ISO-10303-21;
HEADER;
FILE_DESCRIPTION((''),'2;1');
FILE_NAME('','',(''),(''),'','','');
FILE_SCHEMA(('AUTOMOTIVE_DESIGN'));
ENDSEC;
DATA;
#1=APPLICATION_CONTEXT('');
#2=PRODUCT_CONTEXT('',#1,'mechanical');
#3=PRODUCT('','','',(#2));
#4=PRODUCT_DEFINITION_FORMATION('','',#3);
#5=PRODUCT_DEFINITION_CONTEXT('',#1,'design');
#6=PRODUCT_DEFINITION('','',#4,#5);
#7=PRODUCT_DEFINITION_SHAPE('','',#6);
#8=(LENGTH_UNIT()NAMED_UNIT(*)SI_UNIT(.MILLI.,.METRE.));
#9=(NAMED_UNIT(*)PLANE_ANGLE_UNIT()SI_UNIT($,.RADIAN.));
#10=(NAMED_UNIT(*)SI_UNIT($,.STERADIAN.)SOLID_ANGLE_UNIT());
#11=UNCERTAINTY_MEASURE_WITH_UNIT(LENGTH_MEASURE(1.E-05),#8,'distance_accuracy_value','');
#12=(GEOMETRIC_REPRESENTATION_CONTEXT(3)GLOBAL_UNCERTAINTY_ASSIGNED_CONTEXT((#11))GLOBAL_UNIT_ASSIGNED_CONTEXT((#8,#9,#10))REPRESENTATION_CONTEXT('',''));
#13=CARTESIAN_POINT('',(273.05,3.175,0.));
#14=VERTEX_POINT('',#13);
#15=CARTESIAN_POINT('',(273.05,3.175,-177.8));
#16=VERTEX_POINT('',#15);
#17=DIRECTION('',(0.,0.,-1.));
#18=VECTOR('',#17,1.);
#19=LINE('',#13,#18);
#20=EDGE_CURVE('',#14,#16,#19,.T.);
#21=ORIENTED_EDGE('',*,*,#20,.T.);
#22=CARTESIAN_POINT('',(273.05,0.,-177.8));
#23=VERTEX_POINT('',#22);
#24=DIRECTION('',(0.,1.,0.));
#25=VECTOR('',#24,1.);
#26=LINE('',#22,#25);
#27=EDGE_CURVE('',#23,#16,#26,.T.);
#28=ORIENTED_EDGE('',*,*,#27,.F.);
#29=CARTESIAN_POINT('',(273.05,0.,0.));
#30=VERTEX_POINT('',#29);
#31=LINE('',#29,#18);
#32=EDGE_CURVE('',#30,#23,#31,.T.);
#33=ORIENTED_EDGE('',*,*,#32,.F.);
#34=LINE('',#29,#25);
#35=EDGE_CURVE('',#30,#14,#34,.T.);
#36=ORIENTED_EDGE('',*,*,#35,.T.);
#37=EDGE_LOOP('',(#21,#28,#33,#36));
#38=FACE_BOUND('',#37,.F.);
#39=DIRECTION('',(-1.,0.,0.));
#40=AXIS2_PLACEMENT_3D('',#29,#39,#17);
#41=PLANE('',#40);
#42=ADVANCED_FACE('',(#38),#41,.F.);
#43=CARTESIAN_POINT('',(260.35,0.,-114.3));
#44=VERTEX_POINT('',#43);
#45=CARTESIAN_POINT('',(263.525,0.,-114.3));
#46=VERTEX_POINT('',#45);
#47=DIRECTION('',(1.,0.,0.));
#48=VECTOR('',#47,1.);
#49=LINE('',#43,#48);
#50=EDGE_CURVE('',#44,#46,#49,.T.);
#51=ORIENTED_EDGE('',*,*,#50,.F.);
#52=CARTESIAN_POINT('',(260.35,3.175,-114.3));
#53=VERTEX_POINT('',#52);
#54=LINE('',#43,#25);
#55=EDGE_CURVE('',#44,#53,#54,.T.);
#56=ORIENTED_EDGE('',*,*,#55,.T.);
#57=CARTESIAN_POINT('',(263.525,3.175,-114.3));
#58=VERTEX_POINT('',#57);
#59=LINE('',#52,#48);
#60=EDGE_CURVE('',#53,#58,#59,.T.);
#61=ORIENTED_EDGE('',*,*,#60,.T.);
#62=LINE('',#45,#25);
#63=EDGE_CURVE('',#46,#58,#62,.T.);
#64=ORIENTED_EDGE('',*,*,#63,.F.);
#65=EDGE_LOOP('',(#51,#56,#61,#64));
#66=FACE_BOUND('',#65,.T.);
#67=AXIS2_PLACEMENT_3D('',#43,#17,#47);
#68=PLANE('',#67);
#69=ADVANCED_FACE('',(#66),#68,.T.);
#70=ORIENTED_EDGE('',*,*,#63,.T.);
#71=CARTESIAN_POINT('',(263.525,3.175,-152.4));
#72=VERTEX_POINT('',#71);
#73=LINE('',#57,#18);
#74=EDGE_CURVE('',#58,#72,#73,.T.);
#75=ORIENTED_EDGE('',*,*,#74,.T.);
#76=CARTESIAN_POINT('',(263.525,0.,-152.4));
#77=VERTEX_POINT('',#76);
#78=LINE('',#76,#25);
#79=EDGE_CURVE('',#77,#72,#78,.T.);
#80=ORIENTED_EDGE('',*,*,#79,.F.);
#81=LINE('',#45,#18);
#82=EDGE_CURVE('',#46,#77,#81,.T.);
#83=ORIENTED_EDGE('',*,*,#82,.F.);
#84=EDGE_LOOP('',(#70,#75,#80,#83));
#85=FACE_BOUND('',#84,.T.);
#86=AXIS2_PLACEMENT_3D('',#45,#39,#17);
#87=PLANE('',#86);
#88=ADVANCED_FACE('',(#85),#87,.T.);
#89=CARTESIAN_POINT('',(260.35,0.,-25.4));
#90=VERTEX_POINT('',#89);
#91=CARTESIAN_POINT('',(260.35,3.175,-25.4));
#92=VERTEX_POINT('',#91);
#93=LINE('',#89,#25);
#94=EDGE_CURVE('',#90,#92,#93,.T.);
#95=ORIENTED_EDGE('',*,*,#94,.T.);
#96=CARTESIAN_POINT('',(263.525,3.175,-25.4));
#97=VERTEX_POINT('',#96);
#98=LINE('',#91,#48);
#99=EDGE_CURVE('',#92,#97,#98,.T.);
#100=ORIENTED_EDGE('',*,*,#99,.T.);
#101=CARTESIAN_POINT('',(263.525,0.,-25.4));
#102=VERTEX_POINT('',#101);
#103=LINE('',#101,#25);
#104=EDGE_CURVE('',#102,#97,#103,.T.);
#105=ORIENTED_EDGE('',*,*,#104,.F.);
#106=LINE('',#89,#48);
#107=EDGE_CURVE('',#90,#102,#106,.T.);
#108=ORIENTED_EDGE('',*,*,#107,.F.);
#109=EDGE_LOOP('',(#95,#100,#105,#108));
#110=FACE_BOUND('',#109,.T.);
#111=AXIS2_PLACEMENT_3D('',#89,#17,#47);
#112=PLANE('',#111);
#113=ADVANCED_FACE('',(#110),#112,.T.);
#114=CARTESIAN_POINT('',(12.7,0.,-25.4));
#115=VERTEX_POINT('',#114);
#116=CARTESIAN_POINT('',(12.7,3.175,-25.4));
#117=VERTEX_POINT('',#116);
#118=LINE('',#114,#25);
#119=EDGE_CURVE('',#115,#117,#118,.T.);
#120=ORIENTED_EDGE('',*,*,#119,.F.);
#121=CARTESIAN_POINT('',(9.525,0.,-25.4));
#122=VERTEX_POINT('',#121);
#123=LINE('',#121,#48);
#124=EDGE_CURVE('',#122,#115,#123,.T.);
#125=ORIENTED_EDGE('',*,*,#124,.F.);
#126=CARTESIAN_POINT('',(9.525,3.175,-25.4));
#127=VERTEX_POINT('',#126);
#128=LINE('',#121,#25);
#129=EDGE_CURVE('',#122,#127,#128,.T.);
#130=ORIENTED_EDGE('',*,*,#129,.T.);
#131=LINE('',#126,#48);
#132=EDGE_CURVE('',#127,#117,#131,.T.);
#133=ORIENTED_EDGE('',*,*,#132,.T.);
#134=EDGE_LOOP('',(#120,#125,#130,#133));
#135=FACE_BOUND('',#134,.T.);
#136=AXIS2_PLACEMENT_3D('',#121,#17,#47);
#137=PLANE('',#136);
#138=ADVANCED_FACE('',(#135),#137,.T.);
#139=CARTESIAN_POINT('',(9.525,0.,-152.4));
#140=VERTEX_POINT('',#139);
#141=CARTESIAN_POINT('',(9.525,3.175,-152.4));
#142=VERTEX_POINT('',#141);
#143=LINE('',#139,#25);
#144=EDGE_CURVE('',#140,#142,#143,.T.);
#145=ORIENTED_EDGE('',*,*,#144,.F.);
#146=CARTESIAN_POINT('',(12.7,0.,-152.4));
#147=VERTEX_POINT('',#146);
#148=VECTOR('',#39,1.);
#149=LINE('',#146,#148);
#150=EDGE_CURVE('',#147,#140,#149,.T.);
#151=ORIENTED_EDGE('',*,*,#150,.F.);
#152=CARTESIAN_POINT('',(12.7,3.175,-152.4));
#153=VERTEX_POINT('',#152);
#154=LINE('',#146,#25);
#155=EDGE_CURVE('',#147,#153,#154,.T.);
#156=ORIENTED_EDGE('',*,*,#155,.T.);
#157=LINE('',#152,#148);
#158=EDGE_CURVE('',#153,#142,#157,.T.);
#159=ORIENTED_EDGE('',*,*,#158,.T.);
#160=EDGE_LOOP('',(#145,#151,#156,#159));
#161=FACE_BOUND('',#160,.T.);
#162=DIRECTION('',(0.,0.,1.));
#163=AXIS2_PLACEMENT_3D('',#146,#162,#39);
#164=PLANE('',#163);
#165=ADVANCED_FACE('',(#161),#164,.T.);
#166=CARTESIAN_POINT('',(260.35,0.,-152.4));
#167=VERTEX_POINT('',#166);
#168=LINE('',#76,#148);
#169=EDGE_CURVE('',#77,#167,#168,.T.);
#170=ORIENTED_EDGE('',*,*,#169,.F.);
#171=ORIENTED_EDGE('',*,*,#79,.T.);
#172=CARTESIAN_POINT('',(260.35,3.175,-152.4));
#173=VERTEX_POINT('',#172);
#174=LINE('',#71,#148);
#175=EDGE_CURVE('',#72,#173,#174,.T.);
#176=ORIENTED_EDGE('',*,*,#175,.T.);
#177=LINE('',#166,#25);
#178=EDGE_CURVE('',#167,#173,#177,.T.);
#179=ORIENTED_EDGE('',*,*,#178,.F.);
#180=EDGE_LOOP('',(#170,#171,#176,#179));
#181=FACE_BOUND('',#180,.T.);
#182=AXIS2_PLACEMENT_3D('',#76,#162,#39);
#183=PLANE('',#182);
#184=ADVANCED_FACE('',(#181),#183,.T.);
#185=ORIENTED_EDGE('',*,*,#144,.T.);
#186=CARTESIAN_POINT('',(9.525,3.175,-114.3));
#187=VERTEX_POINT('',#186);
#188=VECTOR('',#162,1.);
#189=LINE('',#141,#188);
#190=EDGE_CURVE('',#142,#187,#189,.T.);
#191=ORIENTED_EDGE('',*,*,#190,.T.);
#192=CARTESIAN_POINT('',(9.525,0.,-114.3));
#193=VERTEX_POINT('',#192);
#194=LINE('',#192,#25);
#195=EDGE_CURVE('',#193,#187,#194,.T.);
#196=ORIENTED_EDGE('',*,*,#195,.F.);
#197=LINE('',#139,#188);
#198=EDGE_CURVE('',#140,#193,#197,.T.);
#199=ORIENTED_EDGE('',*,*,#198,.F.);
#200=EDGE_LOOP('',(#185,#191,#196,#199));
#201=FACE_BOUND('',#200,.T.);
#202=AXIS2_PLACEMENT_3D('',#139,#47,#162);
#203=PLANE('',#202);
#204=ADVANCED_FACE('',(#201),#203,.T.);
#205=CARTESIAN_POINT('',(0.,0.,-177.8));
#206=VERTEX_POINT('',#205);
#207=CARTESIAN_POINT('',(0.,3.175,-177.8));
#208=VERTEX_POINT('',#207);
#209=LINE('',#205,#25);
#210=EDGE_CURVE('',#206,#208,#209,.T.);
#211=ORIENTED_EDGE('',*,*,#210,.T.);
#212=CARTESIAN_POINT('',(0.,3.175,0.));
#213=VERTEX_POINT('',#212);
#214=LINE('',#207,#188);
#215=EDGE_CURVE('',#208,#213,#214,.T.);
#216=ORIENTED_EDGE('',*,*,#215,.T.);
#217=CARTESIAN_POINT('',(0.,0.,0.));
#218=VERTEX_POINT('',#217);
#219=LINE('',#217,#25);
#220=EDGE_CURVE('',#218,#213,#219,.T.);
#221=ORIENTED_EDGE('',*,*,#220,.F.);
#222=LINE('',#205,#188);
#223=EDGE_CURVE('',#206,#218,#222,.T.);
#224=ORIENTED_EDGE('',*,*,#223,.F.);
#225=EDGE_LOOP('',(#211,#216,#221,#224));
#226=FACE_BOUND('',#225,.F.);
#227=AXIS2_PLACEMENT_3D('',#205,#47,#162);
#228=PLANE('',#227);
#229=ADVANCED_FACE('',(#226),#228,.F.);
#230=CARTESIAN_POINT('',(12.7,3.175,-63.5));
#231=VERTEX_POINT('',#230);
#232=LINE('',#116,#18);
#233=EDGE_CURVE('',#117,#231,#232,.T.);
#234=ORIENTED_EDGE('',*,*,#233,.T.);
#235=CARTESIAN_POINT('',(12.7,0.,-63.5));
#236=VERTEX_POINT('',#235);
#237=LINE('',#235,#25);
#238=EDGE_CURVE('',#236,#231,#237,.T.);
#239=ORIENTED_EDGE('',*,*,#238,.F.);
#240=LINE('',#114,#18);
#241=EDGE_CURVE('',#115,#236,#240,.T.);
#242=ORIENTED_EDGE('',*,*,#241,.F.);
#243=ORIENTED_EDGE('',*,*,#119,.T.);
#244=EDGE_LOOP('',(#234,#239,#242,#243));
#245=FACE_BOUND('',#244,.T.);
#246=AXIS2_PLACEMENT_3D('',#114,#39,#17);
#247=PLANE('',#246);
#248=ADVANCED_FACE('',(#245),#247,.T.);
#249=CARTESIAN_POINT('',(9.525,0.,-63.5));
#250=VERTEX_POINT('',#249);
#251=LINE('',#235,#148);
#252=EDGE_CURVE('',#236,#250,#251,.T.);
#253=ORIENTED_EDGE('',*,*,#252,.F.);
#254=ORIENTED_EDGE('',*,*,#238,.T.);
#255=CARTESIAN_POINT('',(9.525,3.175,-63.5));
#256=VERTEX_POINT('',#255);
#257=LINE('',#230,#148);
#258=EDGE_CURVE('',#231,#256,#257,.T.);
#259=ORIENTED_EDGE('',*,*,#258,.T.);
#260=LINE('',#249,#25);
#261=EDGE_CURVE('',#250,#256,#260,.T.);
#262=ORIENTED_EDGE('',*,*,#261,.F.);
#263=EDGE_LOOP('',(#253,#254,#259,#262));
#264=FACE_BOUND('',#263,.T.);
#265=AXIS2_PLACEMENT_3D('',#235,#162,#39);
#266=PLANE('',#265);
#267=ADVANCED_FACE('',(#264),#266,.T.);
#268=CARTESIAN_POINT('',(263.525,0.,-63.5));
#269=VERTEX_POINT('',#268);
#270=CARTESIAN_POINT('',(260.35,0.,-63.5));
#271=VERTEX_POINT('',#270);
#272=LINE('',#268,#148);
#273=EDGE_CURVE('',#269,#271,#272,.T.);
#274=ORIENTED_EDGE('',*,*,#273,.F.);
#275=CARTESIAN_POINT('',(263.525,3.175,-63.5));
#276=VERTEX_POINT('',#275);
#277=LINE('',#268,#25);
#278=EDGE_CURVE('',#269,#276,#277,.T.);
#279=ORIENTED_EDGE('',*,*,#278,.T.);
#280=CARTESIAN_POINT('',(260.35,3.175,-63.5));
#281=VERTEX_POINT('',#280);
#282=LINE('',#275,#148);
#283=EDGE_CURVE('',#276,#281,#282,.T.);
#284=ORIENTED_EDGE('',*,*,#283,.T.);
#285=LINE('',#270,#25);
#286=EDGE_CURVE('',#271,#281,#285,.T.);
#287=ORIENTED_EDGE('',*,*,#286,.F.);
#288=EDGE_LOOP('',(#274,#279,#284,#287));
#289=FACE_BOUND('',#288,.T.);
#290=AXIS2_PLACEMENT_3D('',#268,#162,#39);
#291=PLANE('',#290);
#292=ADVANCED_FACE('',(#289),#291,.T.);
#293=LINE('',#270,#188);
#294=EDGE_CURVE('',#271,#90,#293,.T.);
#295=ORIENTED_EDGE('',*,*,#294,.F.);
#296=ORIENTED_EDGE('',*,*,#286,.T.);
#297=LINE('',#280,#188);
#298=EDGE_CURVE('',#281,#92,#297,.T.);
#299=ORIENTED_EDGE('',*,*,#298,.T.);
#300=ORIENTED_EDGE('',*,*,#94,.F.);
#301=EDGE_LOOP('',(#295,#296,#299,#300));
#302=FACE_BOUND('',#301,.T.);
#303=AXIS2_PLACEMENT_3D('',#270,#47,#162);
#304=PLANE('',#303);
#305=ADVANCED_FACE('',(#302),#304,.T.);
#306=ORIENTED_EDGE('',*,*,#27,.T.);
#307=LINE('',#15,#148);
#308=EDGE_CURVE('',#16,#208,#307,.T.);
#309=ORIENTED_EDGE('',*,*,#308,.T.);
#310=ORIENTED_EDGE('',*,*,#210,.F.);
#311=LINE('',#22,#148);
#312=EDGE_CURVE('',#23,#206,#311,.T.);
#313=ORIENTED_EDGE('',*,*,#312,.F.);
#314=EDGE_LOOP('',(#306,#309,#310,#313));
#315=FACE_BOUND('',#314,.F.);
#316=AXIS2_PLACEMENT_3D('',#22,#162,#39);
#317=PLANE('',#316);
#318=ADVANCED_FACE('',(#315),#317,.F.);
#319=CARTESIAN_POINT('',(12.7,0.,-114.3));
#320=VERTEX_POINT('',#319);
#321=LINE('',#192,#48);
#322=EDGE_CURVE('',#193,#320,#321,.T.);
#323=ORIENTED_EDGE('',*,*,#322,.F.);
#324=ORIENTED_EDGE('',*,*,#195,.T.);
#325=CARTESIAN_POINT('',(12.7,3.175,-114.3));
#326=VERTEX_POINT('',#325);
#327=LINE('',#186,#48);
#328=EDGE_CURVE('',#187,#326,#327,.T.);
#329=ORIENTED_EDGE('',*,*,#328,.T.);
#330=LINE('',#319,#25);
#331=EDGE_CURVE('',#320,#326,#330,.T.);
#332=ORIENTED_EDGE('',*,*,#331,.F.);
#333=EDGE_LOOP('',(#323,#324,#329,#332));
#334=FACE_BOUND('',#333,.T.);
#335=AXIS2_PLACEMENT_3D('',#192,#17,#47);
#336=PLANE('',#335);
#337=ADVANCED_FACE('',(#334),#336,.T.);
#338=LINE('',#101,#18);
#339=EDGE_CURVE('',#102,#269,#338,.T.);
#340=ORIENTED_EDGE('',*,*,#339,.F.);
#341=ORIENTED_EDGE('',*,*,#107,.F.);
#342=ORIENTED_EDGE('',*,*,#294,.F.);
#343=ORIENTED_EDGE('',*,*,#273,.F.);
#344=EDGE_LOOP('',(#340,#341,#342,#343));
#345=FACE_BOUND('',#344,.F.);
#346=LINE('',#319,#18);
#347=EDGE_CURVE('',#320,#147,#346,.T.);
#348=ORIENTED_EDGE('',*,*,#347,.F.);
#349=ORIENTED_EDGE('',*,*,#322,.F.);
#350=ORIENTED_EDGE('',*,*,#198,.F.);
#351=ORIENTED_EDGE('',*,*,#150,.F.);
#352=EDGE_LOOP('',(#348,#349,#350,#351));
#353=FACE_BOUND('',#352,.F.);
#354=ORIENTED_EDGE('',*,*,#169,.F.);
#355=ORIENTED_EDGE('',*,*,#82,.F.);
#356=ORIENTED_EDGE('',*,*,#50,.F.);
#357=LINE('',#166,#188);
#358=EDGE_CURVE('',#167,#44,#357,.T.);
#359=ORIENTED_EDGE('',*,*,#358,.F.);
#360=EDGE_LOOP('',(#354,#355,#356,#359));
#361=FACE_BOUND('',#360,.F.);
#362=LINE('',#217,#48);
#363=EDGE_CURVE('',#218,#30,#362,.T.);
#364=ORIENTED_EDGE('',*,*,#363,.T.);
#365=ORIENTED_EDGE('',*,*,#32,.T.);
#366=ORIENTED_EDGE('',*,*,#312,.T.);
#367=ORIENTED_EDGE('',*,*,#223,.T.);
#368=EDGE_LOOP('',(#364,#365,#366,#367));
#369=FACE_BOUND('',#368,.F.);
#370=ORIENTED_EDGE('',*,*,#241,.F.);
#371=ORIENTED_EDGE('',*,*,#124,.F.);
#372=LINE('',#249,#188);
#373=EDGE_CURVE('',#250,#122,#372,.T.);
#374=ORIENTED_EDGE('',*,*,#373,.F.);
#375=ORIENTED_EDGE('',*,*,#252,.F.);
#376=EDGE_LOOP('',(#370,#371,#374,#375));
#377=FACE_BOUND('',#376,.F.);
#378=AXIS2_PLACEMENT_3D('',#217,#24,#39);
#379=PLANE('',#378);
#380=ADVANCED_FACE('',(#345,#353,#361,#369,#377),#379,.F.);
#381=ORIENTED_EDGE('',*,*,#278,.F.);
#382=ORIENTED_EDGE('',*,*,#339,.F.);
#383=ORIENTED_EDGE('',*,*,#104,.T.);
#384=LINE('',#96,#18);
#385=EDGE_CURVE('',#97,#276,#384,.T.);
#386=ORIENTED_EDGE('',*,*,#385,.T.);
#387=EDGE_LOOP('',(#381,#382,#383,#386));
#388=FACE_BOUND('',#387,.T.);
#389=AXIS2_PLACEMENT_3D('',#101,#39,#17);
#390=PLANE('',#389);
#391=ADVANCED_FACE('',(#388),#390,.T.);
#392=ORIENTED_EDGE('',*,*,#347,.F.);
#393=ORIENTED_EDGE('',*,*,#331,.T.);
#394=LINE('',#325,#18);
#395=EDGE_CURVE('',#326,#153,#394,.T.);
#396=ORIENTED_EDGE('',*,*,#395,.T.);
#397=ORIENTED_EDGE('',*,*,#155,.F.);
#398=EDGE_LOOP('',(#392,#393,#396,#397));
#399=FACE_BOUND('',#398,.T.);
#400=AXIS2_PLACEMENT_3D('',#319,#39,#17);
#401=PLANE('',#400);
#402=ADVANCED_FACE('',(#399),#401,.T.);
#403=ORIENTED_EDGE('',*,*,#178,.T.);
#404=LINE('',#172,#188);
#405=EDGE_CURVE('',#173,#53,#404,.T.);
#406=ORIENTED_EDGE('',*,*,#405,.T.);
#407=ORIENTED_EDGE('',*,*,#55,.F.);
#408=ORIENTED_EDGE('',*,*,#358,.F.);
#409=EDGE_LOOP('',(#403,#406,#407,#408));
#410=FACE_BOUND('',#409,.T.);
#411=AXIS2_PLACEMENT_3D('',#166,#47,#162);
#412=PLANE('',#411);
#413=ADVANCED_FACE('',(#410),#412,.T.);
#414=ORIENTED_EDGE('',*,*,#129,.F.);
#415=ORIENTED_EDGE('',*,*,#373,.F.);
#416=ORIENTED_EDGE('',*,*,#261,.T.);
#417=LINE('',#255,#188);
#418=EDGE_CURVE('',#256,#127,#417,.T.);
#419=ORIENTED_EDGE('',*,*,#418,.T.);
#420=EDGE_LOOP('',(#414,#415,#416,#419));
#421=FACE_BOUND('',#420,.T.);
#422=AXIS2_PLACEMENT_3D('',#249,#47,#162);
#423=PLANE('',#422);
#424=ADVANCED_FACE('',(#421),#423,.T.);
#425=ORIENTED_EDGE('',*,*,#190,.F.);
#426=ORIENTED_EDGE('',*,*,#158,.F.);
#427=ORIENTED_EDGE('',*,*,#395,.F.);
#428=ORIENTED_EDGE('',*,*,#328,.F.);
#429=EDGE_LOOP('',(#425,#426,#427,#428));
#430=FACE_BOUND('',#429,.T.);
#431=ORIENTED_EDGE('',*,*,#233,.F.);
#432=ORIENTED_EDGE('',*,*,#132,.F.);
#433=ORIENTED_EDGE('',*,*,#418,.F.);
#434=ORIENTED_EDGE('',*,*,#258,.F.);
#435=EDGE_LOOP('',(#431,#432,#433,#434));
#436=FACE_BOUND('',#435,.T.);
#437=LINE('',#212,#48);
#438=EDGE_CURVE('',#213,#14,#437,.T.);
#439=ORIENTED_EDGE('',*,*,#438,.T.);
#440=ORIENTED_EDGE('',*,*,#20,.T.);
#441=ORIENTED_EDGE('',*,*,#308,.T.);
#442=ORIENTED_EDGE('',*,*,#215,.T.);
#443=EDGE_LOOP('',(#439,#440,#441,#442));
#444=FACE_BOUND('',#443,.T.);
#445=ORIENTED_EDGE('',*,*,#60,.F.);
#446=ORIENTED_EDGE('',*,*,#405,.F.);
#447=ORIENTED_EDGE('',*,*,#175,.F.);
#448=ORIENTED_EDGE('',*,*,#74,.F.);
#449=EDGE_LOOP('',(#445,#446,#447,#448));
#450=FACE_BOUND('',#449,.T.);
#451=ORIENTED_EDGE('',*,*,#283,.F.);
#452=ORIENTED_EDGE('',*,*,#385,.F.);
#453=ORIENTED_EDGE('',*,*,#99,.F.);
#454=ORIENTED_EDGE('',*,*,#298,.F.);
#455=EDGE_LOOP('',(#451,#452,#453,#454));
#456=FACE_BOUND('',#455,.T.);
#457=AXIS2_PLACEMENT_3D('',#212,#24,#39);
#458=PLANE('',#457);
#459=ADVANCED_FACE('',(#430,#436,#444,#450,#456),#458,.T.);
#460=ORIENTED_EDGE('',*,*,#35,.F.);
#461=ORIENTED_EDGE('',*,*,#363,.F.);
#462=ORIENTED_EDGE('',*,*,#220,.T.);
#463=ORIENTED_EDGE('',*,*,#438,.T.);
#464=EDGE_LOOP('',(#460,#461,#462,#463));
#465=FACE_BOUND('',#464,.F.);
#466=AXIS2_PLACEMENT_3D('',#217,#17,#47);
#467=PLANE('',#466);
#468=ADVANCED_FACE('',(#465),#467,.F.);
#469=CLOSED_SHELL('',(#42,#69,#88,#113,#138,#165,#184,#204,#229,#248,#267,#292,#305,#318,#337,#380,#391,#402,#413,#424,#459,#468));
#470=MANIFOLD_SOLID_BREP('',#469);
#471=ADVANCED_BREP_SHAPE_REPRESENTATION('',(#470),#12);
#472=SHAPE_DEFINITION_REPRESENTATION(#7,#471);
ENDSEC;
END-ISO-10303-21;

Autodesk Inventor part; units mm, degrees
ref_plane "YZ Plane" through (0, 0, 0) normal (1, 0, 0) x (0, 1, 0)
ref_plane "XZ Plane" through (0, 0, 0) normal (0, 1, 0) x (-1, 0, 0)
ref_plane "XY Plane" through (0, 0, 0) normal (0, 0, 1) x (1, 0, 0)
sketch "Sketch1" plane through (0, 0, 0) normal (0, 1, 0) x (-1, 0, 0)
  line L0 (0, 0) -> (-273.05, 0)
  line L1 (-273.05, 0) -> (-273.05, -177.8)
  line L2 (-273.05, -177.8) -> (0, -177.8)
  line L3 (0, -177.8) -> (0, 0)
  line L4 (-260.35, -25.4) -> (-263.525, -25.4)
  line L5 (-263.525, -25.4) -> (-263.525, -63.5)
  line L6 (-263.525, -63.5) -> (-260.35, -63.5)
  line L7 (-260.35, -63.5) -> (-260.35, -25.4)
  line L8 (-260.35, -114.3) -> (-263.525, -114.3)
  line L9 (-263.525, -114.3) -> (-263.525, -152.4)
  line L10 (-263.525, -152.4) -> (-260.35, -152.4)
  line L11 (-260.35, -152.4) -> (-260.35, -114.3)
  line L12 (-9.525, -25.4) -> (-12.7, -25.4)
  line L13 (-12.7, -25.4) -> (-12.7, -63.5)
  line L14 (-12.7, -63.5) -> (-9.525, -63.5)
  line L15 (-9.525, -63.5) -> (-9.525, -25.4)
  line L16 (-9.525, -114.3) -> (-12.7, -114.3)
  line L17 (-12.7, -114.3) -> (-12.7, -152.4)
  line L18 (-12.7, -152.4) -> (-9.525, -152.4)
  line L19 (-9.525, -152.4) -> (-9.525, -114.3)
  dimension "d0" = 273.05
  dimension "d1" = 177.8
  dimension "d2" = 3.175
  dimension "d3" = 3.175
  dimension "d4" = 3.175
  dimension "d5" = 3.175
  dimension "d6" = 9.525
  dimension "d7" = 9.525
  dimension "d8" = 38.1
  dimension "d9" = 38.1
  dimension "d10" = 38.1
  dimension "d11" = 38.1
  dimension "d12" = 9.525
  dimension "d13" = 9.525
  dimension "d14" = 25.4
  dimension "d15" = 25.4
  dimension "d16" = 25.4
  dimension "d17" = 25.4
extrude "Extrusion1" add sketch "Sketch1" along normal blind 3.175
properties part number "C4Base"
